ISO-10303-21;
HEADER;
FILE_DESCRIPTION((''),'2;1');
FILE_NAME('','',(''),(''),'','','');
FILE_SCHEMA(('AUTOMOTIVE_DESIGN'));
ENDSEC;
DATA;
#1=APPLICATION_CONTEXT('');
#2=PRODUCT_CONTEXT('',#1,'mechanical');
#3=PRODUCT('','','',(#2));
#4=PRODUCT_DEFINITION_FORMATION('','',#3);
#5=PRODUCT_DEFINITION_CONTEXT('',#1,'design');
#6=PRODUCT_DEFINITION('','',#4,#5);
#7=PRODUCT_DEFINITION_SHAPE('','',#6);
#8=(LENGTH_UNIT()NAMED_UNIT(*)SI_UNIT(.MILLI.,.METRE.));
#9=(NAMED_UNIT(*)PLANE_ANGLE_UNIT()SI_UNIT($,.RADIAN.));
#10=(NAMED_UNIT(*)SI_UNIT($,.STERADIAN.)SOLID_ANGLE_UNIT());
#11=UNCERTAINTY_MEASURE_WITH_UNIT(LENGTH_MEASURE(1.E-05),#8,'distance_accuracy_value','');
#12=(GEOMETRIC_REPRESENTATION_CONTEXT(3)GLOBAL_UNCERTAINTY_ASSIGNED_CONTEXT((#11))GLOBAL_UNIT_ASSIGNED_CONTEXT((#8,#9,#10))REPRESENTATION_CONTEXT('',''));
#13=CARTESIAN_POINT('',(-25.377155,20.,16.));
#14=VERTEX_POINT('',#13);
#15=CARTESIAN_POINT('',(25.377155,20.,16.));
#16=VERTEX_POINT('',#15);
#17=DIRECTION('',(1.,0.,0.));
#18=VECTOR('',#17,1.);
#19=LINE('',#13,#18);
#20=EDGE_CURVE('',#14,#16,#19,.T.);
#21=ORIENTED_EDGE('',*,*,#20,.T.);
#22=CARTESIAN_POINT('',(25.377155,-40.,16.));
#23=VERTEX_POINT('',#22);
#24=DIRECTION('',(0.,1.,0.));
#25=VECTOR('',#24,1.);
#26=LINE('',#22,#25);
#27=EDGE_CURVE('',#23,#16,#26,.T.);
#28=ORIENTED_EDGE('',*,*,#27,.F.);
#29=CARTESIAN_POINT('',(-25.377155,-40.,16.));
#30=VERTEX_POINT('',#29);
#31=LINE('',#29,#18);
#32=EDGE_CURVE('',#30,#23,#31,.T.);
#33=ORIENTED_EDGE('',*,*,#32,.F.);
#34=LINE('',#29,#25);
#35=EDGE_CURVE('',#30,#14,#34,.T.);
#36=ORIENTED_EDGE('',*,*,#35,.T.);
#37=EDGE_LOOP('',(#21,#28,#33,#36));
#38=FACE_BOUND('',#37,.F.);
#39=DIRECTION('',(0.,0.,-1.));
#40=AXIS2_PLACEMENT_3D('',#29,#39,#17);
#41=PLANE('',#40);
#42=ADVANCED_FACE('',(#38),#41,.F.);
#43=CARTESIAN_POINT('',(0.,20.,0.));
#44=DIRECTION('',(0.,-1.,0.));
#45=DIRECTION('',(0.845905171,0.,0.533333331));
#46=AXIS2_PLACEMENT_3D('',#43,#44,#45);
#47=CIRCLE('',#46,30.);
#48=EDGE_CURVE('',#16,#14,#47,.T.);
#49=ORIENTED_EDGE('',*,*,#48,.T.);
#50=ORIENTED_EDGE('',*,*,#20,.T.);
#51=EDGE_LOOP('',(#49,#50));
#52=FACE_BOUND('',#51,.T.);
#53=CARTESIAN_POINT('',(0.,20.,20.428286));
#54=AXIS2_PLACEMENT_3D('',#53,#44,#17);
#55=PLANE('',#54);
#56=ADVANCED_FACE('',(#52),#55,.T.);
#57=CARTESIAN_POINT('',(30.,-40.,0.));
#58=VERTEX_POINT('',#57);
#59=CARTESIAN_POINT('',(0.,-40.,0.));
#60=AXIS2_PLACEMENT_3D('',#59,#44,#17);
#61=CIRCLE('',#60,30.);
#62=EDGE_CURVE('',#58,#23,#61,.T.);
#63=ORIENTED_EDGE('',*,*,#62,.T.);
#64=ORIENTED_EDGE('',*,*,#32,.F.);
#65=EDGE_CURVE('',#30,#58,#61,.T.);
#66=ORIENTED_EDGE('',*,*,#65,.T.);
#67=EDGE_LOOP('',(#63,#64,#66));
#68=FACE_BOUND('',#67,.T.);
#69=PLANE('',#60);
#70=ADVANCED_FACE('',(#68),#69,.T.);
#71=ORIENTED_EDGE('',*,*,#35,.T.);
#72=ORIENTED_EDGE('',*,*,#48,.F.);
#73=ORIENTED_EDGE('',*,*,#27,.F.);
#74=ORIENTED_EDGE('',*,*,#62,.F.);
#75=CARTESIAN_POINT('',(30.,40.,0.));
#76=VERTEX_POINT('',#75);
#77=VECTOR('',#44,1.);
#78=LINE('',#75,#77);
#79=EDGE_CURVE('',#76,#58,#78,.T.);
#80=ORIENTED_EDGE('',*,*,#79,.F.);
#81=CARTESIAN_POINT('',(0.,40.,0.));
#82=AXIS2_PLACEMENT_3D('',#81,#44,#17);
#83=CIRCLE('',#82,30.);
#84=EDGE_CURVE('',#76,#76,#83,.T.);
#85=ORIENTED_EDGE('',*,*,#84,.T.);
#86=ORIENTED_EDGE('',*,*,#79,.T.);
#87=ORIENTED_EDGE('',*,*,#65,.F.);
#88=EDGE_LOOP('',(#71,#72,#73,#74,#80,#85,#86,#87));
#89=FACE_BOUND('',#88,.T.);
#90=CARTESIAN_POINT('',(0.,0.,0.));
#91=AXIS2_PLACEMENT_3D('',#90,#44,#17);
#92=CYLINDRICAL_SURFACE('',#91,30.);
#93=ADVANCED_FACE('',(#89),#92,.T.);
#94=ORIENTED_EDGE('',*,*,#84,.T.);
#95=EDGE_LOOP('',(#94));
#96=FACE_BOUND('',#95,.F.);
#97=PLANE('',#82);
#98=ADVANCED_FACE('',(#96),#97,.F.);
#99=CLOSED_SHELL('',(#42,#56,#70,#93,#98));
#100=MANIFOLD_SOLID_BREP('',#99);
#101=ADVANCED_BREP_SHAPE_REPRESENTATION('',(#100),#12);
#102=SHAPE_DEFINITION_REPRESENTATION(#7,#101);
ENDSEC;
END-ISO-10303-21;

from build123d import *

# Parameters (mm, degrees)
F0_R     = 30
F1_DEPTH = 40
F3_DEPTH = 60


with BuildPart() as f1:
    # F0 (on Front) → F1 (new body, symmetric)
    with BuildSketch(Plane.XZ):
        Circle(F0_R)
    extrude(amount=F1_DEPTH, both=True)

    # F2 (on face) → F3 (cut)
    with BuildSketch(Plane.XZ.offset(40)):
        with BuildLine():
            Line((-25.377155, 16), (25.377155, 16))
            ThreePointArc((25.377155, 16), (0, 30), (-25.377155, 16))
        make_face()
    extrude(amount=-F3_DEPTH, mode=Mode.SUBTRACT)


solid = f1.part
